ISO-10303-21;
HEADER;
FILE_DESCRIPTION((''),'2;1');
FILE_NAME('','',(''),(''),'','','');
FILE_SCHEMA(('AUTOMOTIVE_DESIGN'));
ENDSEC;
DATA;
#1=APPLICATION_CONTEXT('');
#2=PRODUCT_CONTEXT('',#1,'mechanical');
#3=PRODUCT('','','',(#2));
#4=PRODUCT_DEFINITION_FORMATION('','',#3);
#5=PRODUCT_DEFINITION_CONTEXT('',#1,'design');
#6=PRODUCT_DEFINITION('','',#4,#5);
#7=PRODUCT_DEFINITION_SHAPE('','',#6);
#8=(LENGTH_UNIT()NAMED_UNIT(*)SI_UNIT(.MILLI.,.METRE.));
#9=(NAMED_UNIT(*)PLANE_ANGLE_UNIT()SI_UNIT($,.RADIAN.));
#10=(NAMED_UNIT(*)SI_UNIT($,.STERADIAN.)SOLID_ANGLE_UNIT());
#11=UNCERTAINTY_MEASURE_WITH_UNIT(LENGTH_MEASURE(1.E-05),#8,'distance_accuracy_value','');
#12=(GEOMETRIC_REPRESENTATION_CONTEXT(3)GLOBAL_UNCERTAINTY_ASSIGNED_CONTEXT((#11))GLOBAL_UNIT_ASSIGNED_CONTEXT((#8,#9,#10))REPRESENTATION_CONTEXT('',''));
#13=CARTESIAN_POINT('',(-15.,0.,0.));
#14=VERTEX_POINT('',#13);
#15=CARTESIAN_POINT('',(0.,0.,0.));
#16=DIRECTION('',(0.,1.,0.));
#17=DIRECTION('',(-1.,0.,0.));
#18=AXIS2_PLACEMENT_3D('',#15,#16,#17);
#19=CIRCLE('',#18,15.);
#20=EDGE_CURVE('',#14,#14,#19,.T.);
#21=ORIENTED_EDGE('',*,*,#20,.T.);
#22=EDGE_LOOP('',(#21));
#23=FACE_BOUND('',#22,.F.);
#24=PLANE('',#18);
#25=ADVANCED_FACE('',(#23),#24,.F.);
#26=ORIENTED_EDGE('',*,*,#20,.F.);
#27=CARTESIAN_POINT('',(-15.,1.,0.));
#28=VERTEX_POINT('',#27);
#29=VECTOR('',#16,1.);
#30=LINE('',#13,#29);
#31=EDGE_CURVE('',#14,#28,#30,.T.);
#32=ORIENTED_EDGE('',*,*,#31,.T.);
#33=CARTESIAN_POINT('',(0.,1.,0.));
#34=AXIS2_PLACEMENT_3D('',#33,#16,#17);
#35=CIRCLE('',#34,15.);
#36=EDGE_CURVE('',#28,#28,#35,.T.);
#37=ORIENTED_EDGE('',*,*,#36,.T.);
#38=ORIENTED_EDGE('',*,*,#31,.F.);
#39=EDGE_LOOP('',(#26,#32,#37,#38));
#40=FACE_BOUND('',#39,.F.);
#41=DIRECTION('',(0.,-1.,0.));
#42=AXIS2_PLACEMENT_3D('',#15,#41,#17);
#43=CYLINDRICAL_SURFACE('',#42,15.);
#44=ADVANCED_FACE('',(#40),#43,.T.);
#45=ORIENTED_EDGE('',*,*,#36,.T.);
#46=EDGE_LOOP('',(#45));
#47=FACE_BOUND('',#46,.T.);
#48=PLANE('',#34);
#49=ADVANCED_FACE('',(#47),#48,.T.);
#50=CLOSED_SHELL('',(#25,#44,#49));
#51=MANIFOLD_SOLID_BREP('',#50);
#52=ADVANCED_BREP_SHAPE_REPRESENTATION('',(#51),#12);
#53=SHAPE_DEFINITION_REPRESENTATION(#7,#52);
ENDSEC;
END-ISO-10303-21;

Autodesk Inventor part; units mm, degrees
ref_plane "YZ Plane" through (0, 0, 0) normal (1, 0, 0) x (0, 1, 0)
ref_plane "XZ Plane" through (0, 0, 0) normal (0, 1, 0) x (-1, 0, 0)
ref_plane "XY Plane" through (0, 0, 0) normal (0, 0, 1) x (1, 0, 0)
sketch "Sketch1" plane through (0, 0, 0) normal (0, 1, 0) x (-1, 0, 0)
  circle A0 centre (0, 0) radius 15
  dimension "d0" = 30
extrude "Extrusion1" add sketch "Sketch1" along normal blind 1
properties part number "kolo-atrapa" material "Glass"
